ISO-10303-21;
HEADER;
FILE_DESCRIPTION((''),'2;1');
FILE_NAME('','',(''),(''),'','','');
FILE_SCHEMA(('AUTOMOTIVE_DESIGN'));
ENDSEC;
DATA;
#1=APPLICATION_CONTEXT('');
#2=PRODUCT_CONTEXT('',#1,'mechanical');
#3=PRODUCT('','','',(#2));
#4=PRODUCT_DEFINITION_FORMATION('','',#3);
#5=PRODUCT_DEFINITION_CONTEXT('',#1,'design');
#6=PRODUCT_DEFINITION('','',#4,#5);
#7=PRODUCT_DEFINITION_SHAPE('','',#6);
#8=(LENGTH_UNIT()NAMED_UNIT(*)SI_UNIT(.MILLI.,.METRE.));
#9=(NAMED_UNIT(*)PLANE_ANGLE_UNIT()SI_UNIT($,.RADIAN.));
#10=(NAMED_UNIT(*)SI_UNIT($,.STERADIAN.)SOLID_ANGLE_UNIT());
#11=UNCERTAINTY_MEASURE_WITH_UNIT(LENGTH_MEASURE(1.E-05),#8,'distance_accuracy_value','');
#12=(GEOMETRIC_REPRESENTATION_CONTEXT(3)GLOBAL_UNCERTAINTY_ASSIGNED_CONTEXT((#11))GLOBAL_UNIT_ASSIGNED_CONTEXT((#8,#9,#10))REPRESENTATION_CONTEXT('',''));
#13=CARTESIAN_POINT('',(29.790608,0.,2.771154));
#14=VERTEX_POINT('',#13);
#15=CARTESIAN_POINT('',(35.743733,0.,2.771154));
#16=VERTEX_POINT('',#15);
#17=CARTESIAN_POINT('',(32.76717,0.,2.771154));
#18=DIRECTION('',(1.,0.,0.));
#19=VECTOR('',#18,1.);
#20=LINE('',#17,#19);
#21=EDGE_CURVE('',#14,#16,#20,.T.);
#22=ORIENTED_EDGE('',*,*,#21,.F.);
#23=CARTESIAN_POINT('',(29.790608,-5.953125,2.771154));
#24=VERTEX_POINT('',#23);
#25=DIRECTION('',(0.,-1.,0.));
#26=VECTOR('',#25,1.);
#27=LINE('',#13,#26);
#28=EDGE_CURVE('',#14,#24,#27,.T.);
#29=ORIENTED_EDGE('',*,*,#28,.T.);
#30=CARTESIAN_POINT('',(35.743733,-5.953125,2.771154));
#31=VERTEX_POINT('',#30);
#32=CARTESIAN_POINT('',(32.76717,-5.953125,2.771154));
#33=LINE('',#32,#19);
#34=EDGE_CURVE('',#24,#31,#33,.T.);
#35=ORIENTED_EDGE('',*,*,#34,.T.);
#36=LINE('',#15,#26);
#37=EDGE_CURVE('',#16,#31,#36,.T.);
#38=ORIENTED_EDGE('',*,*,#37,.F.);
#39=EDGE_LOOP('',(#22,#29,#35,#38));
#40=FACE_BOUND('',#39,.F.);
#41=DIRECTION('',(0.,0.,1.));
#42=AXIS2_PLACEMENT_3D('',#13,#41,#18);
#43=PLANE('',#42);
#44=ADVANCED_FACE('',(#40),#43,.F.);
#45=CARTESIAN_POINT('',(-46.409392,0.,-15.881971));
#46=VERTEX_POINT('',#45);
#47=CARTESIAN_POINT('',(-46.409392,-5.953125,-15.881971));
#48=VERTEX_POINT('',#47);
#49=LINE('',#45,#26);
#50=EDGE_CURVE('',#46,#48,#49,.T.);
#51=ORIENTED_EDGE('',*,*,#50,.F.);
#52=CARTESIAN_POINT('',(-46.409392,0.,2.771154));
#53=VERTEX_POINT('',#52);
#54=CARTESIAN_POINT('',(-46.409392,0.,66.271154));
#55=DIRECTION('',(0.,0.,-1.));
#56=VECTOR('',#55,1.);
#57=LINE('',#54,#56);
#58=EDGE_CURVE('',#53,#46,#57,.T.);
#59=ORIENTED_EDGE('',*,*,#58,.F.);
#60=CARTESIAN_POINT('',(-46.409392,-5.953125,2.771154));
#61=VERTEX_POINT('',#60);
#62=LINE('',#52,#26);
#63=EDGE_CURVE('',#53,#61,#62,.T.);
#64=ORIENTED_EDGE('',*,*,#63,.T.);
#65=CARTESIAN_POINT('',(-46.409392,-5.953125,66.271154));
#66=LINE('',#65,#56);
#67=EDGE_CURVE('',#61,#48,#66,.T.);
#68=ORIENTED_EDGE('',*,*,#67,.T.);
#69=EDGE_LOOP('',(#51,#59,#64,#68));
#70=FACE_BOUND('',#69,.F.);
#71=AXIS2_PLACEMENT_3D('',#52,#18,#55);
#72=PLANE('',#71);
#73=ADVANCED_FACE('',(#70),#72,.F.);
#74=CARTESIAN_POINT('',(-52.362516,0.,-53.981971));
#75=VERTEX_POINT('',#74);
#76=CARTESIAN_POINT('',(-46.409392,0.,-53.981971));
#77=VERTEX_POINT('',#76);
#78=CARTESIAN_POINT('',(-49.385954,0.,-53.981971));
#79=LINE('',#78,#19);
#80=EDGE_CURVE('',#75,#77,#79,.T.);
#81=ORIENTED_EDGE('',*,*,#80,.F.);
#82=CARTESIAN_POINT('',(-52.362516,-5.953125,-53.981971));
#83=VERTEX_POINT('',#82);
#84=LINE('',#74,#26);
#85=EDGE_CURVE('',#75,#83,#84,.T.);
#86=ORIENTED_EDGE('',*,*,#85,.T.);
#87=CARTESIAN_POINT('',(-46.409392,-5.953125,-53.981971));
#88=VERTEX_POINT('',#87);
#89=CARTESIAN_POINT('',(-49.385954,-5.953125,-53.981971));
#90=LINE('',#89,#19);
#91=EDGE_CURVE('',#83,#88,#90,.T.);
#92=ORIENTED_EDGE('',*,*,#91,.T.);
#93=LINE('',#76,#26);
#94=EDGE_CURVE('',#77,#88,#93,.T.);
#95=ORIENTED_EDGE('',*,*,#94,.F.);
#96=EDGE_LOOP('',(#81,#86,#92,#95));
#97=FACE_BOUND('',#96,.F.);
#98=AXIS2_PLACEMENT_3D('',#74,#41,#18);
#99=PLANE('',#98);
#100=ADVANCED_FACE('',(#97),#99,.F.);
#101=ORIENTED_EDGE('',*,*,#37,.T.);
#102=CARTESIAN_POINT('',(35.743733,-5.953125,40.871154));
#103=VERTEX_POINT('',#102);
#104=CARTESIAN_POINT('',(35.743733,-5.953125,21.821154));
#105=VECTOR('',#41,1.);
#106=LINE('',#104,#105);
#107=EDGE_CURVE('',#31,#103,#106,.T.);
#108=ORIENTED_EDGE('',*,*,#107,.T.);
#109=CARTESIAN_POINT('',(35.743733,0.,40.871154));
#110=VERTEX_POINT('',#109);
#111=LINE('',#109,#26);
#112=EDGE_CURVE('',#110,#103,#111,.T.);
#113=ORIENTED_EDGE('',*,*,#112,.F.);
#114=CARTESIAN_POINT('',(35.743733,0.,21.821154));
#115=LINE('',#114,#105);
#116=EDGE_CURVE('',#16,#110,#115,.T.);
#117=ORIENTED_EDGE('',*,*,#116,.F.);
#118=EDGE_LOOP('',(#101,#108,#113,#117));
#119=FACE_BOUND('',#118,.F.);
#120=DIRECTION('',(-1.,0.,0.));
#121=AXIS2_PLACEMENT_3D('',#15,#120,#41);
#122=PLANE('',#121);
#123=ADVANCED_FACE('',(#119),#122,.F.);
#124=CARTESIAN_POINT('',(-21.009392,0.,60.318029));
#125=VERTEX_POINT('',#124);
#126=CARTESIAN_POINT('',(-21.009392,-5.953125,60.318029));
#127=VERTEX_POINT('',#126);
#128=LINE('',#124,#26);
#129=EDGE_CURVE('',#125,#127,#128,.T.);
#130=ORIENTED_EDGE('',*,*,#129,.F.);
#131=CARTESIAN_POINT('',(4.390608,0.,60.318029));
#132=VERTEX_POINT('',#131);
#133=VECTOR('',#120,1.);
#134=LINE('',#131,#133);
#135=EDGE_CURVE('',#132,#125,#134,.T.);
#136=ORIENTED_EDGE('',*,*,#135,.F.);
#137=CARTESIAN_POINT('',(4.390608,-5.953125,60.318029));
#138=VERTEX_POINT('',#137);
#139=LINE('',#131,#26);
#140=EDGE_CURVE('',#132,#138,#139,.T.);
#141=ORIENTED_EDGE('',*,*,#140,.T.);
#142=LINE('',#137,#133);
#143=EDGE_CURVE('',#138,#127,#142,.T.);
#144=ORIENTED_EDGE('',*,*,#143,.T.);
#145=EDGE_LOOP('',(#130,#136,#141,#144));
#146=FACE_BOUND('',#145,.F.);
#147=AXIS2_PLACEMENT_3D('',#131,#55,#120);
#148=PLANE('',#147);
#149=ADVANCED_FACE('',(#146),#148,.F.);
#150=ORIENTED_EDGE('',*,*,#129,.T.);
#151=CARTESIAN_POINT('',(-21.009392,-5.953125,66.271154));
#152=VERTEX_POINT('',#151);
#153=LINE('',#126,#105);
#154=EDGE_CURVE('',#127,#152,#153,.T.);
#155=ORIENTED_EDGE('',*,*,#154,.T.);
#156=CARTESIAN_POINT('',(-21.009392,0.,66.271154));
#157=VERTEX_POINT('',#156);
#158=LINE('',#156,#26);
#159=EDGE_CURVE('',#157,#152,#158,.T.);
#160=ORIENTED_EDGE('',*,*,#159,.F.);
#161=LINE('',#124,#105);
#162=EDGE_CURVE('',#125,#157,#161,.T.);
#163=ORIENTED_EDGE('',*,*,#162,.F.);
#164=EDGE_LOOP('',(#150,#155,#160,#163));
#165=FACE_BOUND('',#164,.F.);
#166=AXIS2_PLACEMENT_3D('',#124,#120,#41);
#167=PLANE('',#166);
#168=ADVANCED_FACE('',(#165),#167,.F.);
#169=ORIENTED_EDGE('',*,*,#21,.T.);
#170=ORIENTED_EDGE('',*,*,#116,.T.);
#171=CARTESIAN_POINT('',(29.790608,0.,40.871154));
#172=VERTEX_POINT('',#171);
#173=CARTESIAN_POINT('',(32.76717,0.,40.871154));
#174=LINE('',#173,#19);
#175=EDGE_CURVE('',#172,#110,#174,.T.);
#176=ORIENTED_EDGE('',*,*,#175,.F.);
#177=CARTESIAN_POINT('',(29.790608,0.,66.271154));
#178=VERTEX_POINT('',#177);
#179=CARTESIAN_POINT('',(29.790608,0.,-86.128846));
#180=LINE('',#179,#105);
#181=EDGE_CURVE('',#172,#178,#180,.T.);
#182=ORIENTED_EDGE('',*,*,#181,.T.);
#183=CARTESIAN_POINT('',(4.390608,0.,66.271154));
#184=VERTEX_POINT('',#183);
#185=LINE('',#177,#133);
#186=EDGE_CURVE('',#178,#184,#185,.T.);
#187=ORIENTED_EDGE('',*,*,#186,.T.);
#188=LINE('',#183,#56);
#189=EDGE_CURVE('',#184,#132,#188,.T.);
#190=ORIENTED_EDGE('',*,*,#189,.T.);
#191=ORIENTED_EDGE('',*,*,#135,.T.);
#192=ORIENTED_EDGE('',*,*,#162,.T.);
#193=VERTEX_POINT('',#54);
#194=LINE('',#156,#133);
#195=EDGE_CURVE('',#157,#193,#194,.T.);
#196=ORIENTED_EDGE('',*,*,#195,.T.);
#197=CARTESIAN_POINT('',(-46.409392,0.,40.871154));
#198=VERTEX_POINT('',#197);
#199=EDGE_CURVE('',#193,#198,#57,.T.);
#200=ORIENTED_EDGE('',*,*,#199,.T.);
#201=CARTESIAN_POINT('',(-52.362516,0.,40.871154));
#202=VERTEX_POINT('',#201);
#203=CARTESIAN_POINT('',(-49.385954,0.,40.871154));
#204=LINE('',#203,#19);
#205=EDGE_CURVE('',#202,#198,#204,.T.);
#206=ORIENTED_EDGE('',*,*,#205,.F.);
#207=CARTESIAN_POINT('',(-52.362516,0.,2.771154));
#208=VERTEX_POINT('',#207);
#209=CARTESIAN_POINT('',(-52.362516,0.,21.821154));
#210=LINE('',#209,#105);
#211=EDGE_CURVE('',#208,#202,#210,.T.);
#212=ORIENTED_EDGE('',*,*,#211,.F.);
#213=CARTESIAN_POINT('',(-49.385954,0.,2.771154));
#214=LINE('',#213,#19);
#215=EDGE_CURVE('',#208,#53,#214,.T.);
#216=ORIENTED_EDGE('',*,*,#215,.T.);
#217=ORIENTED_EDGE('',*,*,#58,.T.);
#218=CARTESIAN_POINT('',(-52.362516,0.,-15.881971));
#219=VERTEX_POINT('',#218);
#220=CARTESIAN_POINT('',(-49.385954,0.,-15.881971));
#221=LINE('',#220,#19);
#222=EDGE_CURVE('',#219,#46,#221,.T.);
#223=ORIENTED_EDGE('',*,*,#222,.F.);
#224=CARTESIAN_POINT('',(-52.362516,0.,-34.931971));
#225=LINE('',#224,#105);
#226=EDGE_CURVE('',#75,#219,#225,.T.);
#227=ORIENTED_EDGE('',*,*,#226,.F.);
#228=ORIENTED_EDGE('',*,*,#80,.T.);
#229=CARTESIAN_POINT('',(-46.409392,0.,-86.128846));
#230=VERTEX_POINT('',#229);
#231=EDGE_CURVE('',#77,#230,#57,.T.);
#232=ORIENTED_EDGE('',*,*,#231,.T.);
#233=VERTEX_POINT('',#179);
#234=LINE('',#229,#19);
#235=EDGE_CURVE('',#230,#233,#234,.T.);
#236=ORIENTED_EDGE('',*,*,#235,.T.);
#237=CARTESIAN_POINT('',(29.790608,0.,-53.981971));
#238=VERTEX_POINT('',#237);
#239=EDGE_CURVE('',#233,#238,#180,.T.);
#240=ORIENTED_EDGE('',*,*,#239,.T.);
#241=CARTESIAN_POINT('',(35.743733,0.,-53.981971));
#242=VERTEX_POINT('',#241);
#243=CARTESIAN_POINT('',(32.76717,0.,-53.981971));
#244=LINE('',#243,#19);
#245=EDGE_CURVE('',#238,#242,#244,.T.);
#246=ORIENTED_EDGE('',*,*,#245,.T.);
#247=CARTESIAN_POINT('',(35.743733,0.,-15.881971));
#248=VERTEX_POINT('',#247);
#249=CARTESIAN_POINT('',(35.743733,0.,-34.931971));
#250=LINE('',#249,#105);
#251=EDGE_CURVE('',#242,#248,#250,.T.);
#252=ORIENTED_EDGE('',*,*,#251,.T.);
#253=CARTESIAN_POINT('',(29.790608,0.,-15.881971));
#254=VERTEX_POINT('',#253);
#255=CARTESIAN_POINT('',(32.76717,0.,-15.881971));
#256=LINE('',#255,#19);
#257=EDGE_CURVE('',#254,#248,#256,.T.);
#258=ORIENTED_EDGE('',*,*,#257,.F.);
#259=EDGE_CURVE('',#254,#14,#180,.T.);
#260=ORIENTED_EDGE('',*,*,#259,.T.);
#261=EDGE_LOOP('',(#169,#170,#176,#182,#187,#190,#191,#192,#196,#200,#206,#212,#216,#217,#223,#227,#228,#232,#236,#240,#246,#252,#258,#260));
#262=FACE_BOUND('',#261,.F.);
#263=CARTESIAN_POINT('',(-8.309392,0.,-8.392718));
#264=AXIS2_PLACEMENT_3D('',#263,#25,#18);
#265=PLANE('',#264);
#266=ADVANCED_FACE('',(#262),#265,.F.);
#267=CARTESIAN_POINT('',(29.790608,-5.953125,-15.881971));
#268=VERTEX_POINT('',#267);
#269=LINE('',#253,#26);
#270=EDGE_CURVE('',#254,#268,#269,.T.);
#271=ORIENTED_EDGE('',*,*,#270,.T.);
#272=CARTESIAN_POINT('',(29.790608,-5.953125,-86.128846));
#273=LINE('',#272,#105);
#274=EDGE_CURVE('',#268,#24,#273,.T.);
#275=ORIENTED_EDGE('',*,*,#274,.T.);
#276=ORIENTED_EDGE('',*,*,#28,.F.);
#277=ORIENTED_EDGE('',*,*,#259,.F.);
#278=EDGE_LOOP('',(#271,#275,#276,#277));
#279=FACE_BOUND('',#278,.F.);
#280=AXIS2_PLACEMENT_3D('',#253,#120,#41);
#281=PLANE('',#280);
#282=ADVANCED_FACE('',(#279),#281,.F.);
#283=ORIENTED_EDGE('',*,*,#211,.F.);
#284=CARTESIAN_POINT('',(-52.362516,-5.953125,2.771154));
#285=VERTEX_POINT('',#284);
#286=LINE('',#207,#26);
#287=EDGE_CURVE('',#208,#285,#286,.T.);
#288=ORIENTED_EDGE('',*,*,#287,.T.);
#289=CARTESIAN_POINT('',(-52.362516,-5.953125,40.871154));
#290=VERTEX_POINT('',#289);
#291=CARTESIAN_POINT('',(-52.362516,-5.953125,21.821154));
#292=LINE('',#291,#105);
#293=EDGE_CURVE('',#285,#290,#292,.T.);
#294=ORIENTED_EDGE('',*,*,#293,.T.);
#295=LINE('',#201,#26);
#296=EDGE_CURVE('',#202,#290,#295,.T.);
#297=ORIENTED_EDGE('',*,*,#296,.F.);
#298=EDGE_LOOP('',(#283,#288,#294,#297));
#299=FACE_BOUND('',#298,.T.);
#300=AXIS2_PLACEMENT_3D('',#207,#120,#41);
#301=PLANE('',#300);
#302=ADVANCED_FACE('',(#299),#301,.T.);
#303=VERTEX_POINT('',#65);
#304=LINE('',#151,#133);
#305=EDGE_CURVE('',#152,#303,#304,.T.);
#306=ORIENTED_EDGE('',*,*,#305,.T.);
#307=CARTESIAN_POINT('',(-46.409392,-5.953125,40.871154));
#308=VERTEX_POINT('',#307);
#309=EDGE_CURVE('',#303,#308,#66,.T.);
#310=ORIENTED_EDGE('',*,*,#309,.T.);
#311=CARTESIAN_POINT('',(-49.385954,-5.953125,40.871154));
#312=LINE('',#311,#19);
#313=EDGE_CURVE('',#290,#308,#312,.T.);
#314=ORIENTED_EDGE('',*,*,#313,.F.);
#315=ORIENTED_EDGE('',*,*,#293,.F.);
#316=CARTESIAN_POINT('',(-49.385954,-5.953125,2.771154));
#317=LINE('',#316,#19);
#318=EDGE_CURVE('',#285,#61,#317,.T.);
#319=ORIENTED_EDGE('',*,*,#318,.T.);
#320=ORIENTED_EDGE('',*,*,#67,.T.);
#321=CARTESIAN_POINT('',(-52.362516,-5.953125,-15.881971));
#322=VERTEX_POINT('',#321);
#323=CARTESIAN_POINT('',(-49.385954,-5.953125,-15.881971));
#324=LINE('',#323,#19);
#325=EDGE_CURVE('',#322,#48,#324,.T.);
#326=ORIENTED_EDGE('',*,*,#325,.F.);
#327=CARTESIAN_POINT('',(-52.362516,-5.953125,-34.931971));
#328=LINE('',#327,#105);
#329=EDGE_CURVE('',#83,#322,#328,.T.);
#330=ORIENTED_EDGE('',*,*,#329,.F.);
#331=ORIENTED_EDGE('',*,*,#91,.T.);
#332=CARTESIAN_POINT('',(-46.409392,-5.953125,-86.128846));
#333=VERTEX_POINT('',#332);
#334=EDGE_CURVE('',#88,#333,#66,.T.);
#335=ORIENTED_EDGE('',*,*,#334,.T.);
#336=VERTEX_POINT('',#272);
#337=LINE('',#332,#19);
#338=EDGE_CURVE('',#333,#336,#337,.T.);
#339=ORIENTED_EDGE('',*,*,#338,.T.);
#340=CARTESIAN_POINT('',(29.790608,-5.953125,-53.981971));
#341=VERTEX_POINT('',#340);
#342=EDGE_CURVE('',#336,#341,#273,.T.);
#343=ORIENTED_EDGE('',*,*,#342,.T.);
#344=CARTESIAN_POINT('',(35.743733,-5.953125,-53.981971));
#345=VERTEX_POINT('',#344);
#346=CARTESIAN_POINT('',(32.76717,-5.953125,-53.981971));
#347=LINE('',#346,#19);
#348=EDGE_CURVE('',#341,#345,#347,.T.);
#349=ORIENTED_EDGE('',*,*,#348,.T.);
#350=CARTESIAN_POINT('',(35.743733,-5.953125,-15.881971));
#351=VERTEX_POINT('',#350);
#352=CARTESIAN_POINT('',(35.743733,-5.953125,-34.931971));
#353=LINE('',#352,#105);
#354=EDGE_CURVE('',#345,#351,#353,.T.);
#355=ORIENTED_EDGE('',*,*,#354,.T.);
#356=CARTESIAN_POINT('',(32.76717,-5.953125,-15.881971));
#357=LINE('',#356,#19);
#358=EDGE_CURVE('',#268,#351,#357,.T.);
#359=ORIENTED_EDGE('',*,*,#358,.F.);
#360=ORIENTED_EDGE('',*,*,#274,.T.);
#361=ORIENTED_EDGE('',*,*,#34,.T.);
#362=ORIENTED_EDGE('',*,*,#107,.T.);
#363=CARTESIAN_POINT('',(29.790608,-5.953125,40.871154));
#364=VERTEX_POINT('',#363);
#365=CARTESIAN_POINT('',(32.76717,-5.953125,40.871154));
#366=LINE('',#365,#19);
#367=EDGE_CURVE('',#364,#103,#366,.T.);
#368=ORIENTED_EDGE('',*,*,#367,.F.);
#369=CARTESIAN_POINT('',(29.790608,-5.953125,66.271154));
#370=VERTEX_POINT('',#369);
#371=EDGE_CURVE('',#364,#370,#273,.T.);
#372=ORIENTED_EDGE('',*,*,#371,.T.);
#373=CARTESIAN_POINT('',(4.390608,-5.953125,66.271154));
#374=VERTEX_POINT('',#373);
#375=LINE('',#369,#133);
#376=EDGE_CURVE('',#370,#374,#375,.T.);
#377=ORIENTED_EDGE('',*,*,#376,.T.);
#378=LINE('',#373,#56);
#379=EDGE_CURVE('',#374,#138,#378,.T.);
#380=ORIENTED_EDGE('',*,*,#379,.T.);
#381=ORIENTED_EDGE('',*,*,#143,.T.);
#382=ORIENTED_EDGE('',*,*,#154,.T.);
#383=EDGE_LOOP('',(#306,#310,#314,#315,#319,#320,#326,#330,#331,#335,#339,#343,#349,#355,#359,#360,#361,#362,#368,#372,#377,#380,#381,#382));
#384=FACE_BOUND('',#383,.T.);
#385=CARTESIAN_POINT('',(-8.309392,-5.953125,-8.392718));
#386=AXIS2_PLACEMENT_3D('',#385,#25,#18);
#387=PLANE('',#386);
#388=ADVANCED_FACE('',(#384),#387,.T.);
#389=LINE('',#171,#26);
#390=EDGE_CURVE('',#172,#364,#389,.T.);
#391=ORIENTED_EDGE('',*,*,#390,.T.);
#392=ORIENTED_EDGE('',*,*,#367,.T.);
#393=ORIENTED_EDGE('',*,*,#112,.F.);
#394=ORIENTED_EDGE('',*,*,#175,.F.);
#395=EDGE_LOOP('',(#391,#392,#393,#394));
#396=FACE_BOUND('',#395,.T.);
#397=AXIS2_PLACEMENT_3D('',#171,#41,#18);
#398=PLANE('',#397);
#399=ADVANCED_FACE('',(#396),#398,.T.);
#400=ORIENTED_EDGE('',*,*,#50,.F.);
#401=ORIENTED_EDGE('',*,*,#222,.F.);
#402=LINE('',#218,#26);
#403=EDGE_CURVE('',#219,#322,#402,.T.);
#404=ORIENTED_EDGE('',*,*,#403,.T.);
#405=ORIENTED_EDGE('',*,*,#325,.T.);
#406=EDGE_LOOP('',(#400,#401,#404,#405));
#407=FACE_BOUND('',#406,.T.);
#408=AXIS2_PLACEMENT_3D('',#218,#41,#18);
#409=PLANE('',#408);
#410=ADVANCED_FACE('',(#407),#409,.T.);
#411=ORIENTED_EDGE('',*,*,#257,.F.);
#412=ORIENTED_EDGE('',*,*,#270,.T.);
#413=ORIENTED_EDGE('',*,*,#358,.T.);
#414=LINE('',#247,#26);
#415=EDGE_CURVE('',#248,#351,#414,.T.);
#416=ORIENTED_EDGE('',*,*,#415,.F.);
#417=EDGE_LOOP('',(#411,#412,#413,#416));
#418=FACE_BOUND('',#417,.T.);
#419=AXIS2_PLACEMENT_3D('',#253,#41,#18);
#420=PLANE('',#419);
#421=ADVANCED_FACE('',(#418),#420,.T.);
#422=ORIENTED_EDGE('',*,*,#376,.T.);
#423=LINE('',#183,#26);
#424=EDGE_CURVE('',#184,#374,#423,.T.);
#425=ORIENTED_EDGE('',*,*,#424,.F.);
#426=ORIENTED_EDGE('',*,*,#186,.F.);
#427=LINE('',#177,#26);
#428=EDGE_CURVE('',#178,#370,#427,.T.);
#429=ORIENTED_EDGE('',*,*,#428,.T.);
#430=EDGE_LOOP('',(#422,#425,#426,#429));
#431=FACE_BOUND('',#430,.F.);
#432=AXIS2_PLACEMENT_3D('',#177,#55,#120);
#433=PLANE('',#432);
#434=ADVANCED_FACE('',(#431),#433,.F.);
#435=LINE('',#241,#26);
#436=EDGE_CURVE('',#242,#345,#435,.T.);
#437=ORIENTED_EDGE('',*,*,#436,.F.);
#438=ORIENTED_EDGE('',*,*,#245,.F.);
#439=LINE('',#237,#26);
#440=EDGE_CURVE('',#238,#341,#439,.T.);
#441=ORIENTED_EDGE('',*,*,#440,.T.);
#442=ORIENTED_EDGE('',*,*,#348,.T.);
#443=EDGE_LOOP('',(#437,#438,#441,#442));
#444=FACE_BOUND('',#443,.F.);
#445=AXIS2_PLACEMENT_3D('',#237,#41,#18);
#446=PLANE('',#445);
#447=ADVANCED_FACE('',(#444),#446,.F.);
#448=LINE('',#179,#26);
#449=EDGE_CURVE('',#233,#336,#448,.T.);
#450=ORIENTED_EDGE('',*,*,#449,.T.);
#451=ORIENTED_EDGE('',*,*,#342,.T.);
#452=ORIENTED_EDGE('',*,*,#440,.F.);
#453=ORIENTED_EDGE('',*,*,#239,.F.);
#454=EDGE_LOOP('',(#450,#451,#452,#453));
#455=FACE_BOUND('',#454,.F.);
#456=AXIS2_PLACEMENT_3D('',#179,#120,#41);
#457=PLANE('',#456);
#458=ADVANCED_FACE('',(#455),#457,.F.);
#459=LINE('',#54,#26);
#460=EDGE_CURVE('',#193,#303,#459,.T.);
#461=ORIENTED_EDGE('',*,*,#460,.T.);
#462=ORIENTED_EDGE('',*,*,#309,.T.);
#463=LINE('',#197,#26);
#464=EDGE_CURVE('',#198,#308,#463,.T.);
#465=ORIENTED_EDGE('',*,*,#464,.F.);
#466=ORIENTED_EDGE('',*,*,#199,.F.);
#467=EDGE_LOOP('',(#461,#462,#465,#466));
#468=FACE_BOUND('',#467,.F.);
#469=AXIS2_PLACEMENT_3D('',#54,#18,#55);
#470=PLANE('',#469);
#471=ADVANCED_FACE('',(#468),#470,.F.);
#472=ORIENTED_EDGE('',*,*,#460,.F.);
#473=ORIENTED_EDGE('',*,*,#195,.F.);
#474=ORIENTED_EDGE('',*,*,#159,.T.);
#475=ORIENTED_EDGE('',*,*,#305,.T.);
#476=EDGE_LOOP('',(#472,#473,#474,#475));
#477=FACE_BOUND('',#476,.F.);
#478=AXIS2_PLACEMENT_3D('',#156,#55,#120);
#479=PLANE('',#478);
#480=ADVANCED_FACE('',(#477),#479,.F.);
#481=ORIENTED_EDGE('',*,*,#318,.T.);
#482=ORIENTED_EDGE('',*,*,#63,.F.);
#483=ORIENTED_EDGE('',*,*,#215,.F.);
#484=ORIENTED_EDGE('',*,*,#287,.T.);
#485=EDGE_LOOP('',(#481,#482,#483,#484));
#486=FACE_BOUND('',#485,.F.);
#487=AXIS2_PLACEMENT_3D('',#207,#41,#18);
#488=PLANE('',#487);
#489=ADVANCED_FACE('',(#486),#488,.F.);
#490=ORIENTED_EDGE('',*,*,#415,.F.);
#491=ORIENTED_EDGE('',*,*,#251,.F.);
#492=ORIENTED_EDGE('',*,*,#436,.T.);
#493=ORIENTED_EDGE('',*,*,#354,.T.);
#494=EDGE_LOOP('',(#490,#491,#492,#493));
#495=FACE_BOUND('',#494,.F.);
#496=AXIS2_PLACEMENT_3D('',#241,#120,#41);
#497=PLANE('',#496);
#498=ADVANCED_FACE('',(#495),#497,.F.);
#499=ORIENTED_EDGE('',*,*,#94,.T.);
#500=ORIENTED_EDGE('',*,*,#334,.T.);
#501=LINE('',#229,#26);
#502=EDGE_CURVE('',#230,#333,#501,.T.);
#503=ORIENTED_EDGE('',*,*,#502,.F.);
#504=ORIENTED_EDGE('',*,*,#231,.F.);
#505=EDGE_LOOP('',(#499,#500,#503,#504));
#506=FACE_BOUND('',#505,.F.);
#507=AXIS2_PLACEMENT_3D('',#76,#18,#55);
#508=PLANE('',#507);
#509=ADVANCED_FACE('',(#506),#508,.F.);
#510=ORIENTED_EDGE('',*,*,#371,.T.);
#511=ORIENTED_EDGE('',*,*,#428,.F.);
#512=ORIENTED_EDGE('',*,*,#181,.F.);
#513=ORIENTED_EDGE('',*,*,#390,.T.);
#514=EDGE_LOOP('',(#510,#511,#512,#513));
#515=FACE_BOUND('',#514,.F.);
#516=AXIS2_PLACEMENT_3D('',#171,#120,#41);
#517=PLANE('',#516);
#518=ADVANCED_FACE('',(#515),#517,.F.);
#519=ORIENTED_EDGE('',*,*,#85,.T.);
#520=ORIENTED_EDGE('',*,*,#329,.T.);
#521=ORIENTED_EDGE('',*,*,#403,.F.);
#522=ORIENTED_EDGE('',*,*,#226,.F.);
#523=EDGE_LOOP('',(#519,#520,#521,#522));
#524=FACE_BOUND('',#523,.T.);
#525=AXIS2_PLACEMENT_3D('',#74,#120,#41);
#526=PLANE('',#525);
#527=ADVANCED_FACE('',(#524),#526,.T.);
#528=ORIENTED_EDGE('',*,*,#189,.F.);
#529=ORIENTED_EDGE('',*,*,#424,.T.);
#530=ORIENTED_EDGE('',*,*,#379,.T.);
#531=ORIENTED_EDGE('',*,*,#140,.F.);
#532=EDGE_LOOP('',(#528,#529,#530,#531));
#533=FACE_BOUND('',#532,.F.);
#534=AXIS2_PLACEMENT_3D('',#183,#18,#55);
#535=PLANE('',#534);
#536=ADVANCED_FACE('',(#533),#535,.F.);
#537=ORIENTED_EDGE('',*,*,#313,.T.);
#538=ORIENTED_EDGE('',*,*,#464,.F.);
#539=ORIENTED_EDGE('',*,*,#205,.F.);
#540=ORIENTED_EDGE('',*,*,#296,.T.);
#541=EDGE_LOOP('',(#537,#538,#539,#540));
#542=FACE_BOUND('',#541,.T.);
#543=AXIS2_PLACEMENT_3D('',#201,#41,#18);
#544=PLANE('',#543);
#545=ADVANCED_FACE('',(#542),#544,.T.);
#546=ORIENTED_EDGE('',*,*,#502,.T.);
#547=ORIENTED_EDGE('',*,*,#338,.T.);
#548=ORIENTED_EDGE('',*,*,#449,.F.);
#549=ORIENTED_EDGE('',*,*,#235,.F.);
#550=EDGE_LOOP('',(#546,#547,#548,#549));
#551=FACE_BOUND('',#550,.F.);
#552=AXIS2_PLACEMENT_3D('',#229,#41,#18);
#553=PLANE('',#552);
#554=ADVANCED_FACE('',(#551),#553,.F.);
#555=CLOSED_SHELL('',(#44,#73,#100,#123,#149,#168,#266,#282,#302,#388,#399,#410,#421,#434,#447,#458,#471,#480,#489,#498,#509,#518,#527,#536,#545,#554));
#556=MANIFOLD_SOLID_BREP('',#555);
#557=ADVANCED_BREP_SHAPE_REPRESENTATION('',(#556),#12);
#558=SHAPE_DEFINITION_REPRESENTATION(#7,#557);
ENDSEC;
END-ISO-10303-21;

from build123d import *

# Parameters (mm, degrees)
F0_W     = 5.953125
F0_H     = 38.1
F1_DEPTH = 5.953125


with BuildPart() as f1:
    # F0 (on Front) → F1 (new body)
    with BuildSketch(Plane.XZ):
        Polygon((-21.009392, 66.271154), (-46.409392, 66.271154), (-46.409392, 40.871154), (-46.409392, 2.771154), (-46.409392, -15.881971), (-46.409392, -53.981971), (-46.409392, -86.128846), (29.790608, -86.128846), (29.790608, -53.981971), (29.790608, -15.881971), (29.790608, 2.771154), (29.790608, 40.871154), (29.790608, 66.271154), (4.390608, 66.271154), (4.390608, 60.318029), (-21.009392, 60.318029), align=None)
        with Locations((-49.385954, 21.821154)):
            Rectangle(F0_W, F0_H)
        with Locations((-49.385954, -34.931971)):
            Rectangle(F0_W, F0_H)
        with Locations((32.76717, -34.931971)):
            Rectangle(F0_W, F0_H)
        with Locations((32.76717, 21.821154)):
            Rectangle(F0_W, F0_H)
    extrude(amount=F1_DEPTH)


solid = f1.part
